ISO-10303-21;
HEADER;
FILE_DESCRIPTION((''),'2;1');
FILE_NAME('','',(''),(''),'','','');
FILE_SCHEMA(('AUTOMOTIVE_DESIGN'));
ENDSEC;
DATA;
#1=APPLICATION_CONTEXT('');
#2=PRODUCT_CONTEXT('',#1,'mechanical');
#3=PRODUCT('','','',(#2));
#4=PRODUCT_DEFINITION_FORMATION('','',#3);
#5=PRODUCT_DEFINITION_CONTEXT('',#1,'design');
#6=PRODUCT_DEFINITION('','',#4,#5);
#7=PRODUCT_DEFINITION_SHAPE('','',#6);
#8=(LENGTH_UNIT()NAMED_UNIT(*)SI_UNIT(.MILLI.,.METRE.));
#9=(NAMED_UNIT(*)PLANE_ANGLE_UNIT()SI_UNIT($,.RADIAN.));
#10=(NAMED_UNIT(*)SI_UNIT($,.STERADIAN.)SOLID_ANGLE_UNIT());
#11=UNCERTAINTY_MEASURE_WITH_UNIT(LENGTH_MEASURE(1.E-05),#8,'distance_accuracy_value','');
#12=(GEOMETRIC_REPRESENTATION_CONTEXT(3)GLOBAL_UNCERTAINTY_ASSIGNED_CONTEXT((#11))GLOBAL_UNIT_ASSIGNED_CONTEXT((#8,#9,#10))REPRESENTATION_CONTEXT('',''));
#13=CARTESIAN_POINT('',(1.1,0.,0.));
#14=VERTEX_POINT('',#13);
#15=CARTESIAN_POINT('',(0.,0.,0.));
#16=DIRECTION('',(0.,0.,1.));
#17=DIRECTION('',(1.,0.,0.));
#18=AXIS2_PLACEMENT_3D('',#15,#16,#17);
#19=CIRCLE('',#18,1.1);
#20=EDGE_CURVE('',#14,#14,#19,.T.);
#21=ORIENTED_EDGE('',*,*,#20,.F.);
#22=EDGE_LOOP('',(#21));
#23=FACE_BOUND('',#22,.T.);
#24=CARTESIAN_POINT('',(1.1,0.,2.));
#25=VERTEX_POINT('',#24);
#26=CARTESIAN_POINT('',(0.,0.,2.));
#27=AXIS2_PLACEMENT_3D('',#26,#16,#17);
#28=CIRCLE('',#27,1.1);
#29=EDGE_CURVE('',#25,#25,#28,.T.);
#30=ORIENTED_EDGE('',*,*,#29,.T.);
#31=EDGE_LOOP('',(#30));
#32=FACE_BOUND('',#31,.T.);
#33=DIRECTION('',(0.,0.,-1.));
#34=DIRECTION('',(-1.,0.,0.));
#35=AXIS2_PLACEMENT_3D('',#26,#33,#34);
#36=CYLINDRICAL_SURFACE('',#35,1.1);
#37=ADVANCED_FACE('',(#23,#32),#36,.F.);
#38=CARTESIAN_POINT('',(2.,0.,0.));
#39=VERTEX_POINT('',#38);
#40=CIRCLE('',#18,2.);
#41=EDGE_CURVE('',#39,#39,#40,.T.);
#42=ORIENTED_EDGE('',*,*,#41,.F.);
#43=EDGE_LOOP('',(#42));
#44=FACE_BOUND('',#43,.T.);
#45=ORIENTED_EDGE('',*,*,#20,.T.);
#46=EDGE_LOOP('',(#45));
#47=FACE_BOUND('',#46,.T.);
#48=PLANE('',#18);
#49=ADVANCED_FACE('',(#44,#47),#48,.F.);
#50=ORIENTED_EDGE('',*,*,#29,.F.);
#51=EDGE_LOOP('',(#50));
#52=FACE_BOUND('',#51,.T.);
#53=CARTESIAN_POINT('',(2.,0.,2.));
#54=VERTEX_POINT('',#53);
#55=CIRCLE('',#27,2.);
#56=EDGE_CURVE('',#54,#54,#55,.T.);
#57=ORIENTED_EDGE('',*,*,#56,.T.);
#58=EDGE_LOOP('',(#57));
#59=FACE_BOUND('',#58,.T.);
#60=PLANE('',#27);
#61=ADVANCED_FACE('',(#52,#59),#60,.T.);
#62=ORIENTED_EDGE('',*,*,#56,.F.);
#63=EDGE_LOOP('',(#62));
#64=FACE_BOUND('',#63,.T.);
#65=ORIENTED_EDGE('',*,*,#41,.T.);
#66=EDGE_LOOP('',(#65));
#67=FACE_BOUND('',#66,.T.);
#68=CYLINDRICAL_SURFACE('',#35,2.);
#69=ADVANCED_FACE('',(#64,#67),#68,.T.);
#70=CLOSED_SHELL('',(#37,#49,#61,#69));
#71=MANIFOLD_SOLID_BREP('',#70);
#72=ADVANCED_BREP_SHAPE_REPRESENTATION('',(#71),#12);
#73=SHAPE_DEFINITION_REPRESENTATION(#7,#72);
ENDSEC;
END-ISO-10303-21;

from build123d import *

# Parameters (mm, degrees)
ESQUISSE1_R        = 2
ESQUISSE1_R_2      = 1.1
BOSS_EXTRU_1_DEPTH = 2


with BuildPart() as part:
    # Esquisse1 → Boss.-Extru.1 (new body)
    with BuildSketch(Plane.XY):
        Circle(ESQUISSE1_R)
        Circle(ESQUISSE1_R_2, mode=Mode.SUBTRACT)
    extrude(amount=BOSS_EXTRU_1_DEPTH)


solid = part.part
